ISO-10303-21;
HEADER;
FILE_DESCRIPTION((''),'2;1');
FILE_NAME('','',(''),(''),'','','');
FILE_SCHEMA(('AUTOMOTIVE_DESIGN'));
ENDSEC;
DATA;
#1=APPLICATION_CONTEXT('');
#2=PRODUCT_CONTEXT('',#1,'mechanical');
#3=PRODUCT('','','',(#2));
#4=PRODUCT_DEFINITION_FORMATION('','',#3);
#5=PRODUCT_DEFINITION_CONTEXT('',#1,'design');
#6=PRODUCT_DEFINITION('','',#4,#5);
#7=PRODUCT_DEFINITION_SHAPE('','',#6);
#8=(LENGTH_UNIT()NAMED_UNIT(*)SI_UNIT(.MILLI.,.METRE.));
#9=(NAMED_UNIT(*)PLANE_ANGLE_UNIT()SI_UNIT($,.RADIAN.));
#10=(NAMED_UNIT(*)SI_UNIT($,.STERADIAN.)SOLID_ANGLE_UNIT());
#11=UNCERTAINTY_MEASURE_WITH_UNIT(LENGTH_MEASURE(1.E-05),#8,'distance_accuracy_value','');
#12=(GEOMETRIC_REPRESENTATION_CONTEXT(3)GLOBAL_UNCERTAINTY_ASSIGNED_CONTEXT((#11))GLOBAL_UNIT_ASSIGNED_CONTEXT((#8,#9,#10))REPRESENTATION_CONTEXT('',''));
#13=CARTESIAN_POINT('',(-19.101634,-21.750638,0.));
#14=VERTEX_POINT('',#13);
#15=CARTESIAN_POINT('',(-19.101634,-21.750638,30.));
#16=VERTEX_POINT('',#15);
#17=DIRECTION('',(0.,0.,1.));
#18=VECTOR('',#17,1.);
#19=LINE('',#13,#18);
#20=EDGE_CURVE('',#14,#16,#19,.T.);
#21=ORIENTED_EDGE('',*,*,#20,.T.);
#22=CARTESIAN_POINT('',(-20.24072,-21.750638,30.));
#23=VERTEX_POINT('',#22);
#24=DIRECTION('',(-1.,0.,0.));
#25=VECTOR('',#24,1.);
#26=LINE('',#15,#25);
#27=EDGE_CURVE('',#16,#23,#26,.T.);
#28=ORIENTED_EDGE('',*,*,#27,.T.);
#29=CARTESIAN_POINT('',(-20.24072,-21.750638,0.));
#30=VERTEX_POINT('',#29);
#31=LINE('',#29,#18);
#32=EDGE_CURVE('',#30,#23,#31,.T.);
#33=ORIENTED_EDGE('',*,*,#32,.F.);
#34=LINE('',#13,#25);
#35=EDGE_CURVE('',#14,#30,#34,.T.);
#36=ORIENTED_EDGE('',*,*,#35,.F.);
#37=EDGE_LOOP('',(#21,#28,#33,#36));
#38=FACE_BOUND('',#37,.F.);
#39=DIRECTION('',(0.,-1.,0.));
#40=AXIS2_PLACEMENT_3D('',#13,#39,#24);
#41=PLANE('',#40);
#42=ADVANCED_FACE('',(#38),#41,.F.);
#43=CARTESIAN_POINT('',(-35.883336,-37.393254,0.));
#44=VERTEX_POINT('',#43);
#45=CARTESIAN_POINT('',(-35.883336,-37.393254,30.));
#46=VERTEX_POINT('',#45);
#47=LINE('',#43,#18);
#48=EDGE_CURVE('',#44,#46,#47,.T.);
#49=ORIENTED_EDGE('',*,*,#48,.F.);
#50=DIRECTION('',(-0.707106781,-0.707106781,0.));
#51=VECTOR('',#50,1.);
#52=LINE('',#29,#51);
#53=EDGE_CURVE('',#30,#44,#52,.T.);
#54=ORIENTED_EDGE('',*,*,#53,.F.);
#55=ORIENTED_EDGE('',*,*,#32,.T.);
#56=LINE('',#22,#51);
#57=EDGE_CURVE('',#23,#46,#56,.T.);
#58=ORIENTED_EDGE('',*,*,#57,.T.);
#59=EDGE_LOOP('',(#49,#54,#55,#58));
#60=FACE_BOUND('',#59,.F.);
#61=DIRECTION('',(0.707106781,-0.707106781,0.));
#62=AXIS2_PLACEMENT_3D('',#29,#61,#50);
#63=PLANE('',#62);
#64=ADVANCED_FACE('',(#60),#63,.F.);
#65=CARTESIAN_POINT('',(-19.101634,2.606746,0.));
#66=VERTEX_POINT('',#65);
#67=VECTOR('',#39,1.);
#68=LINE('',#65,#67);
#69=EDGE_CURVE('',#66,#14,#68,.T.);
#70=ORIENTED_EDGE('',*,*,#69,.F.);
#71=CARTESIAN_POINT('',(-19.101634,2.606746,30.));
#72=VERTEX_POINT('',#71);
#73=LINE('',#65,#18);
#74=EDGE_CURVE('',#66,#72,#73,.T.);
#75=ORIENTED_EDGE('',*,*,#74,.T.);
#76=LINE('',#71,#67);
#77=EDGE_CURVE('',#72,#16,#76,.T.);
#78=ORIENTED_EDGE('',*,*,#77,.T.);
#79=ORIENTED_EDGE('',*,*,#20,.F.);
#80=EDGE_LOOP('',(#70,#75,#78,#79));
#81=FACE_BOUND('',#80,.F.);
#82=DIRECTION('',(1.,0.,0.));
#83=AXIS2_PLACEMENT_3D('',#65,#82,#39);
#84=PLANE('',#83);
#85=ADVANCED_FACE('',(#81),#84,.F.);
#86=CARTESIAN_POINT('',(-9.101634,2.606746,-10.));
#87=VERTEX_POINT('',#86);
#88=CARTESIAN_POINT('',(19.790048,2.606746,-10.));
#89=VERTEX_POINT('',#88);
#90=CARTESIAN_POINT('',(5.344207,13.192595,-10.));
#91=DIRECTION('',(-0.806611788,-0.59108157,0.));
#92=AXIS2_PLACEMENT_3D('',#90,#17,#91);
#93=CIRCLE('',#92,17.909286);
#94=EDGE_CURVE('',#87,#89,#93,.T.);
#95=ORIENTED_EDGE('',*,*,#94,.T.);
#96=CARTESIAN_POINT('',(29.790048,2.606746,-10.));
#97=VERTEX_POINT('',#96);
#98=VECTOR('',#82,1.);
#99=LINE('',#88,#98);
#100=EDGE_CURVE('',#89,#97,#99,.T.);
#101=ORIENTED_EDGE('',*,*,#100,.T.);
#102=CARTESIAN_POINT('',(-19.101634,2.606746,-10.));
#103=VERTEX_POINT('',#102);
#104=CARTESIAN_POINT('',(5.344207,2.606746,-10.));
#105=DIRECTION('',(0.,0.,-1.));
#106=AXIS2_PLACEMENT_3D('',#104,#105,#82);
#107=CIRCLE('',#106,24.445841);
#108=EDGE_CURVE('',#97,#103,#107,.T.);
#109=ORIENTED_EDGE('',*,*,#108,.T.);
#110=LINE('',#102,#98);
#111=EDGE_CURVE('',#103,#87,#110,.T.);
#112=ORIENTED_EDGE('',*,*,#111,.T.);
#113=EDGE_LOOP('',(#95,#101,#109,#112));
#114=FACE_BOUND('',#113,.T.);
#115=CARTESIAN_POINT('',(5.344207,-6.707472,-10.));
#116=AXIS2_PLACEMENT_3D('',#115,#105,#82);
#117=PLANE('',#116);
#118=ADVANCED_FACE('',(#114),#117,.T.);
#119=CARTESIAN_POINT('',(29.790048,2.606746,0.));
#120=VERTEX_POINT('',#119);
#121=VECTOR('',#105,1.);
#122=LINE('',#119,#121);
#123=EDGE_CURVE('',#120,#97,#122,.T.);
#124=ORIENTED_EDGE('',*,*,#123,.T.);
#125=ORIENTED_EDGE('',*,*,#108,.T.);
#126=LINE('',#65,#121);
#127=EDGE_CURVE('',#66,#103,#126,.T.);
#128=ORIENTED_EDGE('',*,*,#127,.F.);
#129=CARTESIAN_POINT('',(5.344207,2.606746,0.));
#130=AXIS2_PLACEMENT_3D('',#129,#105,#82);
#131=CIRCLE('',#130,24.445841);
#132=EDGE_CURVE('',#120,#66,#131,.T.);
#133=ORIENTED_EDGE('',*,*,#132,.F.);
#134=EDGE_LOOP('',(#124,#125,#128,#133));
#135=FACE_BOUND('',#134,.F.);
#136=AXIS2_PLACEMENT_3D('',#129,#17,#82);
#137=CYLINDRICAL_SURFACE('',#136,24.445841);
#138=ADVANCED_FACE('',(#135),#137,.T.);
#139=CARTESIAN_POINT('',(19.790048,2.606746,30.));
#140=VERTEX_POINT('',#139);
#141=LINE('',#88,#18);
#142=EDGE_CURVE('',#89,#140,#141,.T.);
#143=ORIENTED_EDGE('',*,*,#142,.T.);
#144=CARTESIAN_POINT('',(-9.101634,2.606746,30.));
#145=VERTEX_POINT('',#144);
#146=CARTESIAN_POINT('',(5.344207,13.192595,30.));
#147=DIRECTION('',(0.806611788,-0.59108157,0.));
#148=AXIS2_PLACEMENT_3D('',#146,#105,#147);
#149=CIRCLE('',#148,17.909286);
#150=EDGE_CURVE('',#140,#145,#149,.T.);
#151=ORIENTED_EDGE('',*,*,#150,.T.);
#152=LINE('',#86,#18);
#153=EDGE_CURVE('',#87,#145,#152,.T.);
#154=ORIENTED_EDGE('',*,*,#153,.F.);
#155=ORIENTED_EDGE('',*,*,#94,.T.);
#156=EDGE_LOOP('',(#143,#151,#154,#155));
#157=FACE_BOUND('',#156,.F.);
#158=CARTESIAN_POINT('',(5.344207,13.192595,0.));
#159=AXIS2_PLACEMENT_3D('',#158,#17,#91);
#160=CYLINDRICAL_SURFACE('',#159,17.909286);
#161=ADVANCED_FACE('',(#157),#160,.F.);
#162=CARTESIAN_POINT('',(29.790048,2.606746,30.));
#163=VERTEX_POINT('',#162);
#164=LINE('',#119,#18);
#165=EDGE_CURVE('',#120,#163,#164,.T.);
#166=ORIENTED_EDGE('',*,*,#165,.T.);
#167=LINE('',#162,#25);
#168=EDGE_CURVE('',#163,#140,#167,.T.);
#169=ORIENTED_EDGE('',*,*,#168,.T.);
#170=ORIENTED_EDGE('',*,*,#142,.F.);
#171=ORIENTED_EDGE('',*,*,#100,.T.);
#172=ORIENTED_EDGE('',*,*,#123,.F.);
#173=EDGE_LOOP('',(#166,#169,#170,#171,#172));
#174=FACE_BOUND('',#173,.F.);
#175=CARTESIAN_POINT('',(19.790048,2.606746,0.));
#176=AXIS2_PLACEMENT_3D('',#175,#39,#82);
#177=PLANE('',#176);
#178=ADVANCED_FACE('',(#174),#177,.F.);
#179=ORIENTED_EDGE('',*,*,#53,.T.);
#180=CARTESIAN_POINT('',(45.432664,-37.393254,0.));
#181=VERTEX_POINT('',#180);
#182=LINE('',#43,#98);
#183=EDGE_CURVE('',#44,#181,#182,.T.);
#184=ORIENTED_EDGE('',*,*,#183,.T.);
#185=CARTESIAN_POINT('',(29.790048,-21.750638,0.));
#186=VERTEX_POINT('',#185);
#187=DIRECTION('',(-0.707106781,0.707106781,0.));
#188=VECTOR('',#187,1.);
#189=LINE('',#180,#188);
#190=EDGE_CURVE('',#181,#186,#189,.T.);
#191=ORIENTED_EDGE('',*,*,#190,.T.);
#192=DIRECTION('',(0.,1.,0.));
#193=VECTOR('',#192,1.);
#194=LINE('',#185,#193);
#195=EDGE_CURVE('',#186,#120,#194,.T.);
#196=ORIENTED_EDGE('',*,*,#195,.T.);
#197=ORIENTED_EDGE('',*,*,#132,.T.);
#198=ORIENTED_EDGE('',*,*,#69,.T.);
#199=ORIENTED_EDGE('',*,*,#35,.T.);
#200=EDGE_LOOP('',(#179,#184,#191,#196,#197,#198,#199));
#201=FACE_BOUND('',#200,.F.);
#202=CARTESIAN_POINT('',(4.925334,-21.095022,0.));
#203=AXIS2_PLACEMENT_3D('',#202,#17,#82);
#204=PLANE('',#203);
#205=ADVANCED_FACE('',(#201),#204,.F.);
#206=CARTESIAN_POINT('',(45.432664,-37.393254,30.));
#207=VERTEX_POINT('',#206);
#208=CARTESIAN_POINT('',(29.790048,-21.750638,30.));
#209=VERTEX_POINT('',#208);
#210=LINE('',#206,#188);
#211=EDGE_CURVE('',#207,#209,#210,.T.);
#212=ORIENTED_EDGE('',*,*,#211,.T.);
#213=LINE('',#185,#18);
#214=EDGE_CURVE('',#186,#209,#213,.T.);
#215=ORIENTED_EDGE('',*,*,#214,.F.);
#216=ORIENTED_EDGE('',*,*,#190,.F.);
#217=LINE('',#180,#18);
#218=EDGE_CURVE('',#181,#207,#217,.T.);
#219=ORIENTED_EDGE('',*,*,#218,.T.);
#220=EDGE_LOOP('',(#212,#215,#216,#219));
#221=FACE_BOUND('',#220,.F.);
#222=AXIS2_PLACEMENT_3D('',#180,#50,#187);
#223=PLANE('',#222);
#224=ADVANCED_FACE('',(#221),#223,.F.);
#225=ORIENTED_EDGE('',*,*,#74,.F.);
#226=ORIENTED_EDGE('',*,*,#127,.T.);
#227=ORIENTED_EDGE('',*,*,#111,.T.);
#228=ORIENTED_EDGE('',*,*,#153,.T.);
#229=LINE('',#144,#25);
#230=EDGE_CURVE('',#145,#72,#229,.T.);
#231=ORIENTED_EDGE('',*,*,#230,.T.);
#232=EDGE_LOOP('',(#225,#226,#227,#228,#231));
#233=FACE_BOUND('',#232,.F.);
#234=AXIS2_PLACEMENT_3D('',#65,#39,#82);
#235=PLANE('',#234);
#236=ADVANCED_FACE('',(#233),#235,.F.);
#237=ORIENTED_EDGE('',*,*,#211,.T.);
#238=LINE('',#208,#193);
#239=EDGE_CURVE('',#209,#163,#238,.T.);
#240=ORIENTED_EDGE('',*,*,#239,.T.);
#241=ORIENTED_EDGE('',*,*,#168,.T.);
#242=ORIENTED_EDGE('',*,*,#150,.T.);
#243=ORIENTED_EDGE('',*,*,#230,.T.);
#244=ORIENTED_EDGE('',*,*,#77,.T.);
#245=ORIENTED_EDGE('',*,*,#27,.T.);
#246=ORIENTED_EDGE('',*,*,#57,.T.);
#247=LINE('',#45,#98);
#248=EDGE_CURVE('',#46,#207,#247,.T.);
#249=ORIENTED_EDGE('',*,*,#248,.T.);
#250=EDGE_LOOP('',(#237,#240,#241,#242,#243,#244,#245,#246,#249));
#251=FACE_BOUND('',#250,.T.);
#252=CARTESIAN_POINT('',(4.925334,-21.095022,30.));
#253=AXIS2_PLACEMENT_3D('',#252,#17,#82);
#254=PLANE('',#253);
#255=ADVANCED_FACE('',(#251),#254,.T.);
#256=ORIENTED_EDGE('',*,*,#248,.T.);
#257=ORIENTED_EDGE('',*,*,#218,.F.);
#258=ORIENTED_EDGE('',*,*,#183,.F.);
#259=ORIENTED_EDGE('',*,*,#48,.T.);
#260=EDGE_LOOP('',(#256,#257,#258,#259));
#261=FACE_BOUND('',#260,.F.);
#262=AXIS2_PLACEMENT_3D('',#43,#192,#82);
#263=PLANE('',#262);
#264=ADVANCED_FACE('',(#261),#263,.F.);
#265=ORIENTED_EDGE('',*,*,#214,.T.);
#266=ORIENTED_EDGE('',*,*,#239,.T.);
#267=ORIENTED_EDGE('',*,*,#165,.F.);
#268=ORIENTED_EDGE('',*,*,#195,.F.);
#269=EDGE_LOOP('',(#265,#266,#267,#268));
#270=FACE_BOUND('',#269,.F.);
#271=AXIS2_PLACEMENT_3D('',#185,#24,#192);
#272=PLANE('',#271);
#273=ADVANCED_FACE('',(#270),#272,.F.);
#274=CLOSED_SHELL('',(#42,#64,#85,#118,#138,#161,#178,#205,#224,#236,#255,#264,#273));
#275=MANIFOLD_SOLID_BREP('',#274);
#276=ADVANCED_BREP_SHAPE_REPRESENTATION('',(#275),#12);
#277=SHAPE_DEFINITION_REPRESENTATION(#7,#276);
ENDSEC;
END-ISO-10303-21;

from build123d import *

# Parameters (mm, degrees)
F1_DEPTH = 30
F3_DEPTH = 10


with BuildPart() as f1:
    # F0 (on Top) → F1 (new body)
    with BuildSketch(Plane.XY):
        with BuildLine():
            Line((-20.24072, -21.750638), (-35.883336, -37.393254))
            Line((-35.883336, -37.393254), (44.116664, -37.393254))
            Line((44.116664, -37.393254), (45.432664, -37.393254))
            Line((45.432664, -37.393254), (29.790048, -21.750638))
            Line((29.790048, -21.750638), (29.790048, 2.606746))
            Line((29.790048, 2.606746), (19.790048, 2.606746))
            ThreePointArc((19.790048, 2.606746), (5.344207, -11.839095), (-9.101634, 2.606746))
            Line((-9.101634, 2.606746), (-19.101634, 2.606746))
            Line((-19.101634, 2.606746), (-19.101634, -21.750638))
            Line((-19.101634, -21.750638), (-20.24072, -21.750638))
        make_face()
        with BuildLine():
            ThreePointArc((19.790048, 2.606746), (5.344207, -4.716691), (-9.101634, 2.606746))
            ThreePointArc((-9.101634, 2.606746), (5.344207, -11.839095), (19.790048, 2.606746))
        make_face()
    extrude(amount=F1_DEPTH)

    # F2 (on face) → F3 (join)
    with BuildSketch(Plane(origin=(0, 0, 0), x_dir=(1, 0, 0), z_dir=(0, 0, -1))):
        with BuildLine():
            Line((19.790048, -2.606746), (29.790048, -2.606746))
            ThreePointArc((29.790048, -2.606746), (5.344207, 21.839095), (-19.101634, -2.606746))
            Line((-19.101634, -2.606746), (-9.101634, -2.606746))
            ThreePointArc((-9.101634, -2.606746), (5.344207, 4.716691), (19.790048, -2.606746))
        make_face()
    extrude(amount=F3_DEPTH)


solid = f1.part
